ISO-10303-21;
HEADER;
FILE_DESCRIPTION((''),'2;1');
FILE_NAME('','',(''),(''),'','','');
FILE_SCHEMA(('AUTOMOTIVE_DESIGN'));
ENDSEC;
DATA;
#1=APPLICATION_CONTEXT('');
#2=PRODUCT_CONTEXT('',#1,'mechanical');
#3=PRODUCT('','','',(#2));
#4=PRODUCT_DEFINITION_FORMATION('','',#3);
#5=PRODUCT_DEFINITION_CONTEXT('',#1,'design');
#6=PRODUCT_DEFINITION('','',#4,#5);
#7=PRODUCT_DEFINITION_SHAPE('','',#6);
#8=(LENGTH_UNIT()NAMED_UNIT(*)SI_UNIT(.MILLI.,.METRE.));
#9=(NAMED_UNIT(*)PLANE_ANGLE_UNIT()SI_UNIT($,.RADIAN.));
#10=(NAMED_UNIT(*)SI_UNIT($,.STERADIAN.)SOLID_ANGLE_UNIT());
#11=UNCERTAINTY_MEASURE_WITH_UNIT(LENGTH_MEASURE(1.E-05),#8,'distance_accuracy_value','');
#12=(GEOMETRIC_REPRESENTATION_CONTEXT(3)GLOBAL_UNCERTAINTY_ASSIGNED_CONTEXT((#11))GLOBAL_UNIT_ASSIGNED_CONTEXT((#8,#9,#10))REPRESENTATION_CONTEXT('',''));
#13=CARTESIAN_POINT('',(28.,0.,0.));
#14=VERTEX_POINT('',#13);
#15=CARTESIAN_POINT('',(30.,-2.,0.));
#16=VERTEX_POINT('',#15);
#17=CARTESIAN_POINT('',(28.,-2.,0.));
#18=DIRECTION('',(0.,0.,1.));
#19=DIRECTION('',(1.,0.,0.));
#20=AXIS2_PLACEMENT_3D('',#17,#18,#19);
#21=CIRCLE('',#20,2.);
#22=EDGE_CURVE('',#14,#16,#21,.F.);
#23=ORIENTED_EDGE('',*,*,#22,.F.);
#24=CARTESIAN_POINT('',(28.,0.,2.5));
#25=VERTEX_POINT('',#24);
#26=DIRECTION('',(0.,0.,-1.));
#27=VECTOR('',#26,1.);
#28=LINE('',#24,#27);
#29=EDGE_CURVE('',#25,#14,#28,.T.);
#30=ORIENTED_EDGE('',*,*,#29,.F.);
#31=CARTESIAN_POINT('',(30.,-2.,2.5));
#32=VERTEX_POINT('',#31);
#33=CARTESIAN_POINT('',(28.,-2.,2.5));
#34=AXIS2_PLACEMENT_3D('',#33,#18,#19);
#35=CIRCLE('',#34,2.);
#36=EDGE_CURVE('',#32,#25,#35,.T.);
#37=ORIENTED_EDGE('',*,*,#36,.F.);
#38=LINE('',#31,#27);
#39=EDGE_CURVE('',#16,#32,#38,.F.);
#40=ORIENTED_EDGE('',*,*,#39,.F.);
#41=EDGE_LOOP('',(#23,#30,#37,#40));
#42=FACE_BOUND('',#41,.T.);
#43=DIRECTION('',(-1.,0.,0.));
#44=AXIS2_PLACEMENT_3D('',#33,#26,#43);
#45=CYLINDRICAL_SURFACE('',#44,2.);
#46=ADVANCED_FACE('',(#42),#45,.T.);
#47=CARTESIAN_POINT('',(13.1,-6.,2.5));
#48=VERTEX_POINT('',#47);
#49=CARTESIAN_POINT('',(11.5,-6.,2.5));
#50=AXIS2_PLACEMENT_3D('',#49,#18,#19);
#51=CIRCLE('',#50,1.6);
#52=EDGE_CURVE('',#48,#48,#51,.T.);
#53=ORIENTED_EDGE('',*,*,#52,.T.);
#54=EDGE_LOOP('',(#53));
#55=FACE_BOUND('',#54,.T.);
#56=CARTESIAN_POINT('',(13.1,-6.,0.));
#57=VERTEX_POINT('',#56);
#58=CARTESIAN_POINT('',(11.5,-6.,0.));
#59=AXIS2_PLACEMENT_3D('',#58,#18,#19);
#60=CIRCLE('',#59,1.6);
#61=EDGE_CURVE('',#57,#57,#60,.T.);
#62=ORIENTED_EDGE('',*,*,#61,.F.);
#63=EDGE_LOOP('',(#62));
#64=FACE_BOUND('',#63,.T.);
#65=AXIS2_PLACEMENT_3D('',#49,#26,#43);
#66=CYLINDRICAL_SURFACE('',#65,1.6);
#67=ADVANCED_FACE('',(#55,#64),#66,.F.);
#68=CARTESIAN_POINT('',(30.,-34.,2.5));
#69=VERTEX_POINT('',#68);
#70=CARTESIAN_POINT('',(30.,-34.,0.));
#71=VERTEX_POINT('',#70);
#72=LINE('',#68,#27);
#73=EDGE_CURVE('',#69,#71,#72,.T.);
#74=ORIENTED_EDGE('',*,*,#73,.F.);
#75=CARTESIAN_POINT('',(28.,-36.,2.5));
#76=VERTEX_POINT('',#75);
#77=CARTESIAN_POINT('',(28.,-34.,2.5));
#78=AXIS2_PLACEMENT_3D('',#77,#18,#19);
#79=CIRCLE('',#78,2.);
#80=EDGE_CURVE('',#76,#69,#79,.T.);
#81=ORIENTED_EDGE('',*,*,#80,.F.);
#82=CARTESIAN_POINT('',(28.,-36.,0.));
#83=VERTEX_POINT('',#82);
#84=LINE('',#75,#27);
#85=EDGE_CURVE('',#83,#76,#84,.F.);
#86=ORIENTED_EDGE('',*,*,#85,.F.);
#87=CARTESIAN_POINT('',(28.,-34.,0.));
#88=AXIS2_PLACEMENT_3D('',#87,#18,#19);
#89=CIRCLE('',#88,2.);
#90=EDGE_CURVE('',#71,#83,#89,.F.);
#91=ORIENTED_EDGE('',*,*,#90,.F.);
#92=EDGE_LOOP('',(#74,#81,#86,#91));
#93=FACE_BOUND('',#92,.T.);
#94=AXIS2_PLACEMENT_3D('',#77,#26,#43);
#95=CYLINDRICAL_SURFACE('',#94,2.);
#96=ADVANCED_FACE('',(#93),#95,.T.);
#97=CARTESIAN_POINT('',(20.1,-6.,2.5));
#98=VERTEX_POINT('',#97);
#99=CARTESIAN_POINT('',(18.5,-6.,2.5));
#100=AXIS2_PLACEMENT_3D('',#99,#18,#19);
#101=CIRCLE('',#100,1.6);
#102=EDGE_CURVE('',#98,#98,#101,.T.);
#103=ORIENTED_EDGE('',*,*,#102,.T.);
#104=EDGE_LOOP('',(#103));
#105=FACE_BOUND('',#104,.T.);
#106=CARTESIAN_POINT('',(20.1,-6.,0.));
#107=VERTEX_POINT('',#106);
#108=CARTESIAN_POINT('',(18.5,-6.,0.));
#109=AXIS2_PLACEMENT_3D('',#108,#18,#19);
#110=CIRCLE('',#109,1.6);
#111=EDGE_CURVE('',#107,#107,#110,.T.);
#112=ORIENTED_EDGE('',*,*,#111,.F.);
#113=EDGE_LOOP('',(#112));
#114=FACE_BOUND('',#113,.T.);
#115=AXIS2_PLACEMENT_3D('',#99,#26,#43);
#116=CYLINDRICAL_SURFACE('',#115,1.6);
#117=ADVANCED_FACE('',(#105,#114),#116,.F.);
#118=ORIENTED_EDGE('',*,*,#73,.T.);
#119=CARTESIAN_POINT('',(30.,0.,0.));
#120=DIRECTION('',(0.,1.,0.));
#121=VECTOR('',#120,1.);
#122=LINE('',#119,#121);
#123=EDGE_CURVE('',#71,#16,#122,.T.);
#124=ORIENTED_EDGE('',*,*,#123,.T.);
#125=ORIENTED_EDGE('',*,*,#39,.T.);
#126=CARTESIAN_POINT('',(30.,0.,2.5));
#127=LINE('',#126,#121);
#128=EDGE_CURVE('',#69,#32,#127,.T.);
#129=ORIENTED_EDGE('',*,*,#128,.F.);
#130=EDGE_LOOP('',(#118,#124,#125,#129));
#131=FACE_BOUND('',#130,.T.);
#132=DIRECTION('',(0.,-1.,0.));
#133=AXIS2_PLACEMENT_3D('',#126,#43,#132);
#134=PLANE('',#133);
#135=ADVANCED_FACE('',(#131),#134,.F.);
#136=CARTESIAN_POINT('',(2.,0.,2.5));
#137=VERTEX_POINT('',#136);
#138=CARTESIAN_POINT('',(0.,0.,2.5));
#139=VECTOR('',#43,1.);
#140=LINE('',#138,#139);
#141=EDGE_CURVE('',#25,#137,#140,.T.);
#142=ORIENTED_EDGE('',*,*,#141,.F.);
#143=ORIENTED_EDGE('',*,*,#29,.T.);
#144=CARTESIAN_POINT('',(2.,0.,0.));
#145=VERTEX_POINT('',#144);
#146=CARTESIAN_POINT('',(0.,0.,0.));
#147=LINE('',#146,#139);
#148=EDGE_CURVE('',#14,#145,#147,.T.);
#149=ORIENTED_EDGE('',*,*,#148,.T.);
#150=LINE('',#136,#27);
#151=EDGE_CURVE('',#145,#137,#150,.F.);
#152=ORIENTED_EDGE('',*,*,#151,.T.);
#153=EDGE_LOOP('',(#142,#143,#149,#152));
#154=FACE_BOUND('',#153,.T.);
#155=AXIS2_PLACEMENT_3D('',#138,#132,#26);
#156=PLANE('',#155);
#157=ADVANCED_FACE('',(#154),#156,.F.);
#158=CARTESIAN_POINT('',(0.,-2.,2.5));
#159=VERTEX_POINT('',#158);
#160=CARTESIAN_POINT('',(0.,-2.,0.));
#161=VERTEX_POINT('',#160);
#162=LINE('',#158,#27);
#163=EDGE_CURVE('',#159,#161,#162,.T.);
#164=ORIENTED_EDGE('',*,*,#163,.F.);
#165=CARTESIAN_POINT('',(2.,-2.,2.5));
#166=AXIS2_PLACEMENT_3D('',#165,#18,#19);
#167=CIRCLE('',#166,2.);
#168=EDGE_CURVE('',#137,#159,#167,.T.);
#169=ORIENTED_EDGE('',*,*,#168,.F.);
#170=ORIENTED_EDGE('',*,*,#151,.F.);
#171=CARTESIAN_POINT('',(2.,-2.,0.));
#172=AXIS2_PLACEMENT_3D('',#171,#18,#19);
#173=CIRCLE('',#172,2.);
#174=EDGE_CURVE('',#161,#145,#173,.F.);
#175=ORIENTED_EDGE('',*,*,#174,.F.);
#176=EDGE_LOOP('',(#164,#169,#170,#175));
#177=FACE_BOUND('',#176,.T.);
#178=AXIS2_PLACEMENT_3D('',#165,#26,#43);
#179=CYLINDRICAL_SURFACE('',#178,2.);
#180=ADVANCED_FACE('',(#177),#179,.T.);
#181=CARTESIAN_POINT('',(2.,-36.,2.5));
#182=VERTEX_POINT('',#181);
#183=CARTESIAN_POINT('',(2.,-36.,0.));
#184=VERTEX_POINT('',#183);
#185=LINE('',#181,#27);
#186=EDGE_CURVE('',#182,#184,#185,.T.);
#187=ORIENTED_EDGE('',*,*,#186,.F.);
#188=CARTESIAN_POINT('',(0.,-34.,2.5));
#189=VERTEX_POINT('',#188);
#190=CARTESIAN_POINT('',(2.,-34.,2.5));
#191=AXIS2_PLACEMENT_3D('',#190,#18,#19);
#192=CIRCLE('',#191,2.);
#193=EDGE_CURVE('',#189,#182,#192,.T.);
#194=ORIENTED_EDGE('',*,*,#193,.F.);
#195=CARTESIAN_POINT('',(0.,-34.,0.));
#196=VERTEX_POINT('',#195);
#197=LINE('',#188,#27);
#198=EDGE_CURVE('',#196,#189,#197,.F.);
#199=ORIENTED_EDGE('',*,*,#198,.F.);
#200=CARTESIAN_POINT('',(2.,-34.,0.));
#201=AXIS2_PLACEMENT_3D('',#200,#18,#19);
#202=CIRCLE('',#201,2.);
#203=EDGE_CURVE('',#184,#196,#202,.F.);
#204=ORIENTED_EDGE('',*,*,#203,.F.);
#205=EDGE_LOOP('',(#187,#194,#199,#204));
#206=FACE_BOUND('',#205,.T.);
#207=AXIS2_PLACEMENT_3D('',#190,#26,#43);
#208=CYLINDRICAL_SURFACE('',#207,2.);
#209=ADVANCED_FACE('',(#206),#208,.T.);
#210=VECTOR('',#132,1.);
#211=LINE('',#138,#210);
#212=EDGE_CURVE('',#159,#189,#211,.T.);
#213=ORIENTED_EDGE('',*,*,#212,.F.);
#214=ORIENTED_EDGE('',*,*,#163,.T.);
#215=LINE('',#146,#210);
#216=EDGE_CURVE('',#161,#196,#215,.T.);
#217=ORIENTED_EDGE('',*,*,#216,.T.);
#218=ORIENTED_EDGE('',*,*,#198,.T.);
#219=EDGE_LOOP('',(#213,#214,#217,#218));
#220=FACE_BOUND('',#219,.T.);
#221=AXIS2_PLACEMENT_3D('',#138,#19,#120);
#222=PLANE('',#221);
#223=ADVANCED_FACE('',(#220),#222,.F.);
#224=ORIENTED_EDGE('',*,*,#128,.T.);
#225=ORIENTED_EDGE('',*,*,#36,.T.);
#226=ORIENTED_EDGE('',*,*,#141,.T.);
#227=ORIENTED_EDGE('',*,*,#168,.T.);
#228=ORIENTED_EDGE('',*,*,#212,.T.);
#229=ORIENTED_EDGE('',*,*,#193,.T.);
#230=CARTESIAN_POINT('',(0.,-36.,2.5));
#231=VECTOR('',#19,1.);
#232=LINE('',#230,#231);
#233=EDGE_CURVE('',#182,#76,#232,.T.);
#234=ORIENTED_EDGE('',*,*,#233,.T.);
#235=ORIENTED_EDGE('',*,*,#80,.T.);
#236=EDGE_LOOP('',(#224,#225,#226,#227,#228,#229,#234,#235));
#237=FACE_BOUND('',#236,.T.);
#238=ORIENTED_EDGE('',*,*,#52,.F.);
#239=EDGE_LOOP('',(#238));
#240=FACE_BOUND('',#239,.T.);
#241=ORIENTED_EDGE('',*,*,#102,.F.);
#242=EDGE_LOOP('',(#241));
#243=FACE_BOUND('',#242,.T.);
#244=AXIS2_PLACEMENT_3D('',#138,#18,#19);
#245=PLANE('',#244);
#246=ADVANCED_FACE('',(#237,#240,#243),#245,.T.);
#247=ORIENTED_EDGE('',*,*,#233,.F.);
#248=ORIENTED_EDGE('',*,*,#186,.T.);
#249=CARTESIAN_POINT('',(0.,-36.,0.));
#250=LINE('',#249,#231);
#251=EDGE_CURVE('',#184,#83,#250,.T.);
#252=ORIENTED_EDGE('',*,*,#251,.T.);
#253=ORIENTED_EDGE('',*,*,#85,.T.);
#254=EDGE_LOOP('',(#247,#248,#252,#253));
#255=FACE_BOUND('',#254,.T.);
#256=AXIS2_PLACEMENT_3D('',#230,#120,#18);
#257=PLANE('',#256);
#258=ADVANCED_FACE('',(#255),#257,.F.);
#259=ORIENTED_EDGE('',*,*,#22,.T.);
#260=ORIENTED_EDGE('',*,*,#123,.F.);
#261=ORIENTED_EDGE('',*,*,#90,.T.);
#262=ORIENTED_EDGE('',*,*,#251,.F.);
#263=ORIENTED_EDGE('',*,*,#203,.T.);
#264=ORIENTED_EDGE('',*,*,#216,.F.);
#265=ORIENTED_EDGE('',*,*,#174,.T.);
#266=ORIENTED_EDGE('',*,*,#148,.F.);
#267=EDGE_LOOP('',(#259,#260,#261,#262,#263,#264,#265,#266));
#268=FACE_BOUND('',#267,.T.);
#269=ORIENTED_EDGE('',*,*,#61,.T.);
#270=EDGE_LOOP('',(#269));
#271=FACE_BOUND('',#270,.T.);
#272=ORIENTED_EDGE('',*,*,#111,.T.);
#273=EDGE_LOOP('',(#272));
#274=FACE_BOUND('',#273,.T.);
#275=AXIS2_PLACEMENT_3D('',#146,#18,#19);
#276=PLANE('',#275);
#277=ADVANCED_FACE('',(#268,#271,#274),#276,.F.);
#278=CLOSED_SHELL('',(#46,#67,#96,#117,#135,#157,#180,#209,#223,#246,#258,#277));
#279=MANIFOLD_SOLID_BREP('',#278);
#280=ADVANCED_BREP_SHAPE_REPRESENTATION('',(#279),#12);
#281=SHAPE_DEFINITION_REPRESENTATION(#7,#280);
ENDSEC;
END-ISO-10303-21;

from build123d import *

# Parameters (mm, degrees)
SKETCH1_W           = 30
SKETCH1_H           = 36
SKETCH1_R           = 1.6
BOSS_EXTRUDE1_DEPTH = 2.5
FILLET1_R           = 2


with BuildPart() as part:
    # Sketch1 → Boss-Extrude1 (new body)
    with BuildSketch(Plane.XY):
        with Locations((15, -18)):
            Rectangle(SKETCH1_W, SKETCH1_H)
        with Locations((11.5, -6)):
            Circle(SKETCH1_R, mode=Mode.SUBTRACT)
        with Locations((18.5, -6)):
            Circle(SKETCH1_R, mode=Mode.SUBTRACT)
    extrude(amount=BOSS_EXTRUDE1_DEPTH)

    # Fillet1
    fillet1_edges = [part.edges().sort_by_distance(p)[0] for p in [
        (0, 0, 1.25),
        (30, 0, 1.25),
        (30, -36, 1.25),
        (0, -36, 1.25),
    ]]
    fillet(fillet1_edges, radius=FILLET1_R)


solid = part.part
